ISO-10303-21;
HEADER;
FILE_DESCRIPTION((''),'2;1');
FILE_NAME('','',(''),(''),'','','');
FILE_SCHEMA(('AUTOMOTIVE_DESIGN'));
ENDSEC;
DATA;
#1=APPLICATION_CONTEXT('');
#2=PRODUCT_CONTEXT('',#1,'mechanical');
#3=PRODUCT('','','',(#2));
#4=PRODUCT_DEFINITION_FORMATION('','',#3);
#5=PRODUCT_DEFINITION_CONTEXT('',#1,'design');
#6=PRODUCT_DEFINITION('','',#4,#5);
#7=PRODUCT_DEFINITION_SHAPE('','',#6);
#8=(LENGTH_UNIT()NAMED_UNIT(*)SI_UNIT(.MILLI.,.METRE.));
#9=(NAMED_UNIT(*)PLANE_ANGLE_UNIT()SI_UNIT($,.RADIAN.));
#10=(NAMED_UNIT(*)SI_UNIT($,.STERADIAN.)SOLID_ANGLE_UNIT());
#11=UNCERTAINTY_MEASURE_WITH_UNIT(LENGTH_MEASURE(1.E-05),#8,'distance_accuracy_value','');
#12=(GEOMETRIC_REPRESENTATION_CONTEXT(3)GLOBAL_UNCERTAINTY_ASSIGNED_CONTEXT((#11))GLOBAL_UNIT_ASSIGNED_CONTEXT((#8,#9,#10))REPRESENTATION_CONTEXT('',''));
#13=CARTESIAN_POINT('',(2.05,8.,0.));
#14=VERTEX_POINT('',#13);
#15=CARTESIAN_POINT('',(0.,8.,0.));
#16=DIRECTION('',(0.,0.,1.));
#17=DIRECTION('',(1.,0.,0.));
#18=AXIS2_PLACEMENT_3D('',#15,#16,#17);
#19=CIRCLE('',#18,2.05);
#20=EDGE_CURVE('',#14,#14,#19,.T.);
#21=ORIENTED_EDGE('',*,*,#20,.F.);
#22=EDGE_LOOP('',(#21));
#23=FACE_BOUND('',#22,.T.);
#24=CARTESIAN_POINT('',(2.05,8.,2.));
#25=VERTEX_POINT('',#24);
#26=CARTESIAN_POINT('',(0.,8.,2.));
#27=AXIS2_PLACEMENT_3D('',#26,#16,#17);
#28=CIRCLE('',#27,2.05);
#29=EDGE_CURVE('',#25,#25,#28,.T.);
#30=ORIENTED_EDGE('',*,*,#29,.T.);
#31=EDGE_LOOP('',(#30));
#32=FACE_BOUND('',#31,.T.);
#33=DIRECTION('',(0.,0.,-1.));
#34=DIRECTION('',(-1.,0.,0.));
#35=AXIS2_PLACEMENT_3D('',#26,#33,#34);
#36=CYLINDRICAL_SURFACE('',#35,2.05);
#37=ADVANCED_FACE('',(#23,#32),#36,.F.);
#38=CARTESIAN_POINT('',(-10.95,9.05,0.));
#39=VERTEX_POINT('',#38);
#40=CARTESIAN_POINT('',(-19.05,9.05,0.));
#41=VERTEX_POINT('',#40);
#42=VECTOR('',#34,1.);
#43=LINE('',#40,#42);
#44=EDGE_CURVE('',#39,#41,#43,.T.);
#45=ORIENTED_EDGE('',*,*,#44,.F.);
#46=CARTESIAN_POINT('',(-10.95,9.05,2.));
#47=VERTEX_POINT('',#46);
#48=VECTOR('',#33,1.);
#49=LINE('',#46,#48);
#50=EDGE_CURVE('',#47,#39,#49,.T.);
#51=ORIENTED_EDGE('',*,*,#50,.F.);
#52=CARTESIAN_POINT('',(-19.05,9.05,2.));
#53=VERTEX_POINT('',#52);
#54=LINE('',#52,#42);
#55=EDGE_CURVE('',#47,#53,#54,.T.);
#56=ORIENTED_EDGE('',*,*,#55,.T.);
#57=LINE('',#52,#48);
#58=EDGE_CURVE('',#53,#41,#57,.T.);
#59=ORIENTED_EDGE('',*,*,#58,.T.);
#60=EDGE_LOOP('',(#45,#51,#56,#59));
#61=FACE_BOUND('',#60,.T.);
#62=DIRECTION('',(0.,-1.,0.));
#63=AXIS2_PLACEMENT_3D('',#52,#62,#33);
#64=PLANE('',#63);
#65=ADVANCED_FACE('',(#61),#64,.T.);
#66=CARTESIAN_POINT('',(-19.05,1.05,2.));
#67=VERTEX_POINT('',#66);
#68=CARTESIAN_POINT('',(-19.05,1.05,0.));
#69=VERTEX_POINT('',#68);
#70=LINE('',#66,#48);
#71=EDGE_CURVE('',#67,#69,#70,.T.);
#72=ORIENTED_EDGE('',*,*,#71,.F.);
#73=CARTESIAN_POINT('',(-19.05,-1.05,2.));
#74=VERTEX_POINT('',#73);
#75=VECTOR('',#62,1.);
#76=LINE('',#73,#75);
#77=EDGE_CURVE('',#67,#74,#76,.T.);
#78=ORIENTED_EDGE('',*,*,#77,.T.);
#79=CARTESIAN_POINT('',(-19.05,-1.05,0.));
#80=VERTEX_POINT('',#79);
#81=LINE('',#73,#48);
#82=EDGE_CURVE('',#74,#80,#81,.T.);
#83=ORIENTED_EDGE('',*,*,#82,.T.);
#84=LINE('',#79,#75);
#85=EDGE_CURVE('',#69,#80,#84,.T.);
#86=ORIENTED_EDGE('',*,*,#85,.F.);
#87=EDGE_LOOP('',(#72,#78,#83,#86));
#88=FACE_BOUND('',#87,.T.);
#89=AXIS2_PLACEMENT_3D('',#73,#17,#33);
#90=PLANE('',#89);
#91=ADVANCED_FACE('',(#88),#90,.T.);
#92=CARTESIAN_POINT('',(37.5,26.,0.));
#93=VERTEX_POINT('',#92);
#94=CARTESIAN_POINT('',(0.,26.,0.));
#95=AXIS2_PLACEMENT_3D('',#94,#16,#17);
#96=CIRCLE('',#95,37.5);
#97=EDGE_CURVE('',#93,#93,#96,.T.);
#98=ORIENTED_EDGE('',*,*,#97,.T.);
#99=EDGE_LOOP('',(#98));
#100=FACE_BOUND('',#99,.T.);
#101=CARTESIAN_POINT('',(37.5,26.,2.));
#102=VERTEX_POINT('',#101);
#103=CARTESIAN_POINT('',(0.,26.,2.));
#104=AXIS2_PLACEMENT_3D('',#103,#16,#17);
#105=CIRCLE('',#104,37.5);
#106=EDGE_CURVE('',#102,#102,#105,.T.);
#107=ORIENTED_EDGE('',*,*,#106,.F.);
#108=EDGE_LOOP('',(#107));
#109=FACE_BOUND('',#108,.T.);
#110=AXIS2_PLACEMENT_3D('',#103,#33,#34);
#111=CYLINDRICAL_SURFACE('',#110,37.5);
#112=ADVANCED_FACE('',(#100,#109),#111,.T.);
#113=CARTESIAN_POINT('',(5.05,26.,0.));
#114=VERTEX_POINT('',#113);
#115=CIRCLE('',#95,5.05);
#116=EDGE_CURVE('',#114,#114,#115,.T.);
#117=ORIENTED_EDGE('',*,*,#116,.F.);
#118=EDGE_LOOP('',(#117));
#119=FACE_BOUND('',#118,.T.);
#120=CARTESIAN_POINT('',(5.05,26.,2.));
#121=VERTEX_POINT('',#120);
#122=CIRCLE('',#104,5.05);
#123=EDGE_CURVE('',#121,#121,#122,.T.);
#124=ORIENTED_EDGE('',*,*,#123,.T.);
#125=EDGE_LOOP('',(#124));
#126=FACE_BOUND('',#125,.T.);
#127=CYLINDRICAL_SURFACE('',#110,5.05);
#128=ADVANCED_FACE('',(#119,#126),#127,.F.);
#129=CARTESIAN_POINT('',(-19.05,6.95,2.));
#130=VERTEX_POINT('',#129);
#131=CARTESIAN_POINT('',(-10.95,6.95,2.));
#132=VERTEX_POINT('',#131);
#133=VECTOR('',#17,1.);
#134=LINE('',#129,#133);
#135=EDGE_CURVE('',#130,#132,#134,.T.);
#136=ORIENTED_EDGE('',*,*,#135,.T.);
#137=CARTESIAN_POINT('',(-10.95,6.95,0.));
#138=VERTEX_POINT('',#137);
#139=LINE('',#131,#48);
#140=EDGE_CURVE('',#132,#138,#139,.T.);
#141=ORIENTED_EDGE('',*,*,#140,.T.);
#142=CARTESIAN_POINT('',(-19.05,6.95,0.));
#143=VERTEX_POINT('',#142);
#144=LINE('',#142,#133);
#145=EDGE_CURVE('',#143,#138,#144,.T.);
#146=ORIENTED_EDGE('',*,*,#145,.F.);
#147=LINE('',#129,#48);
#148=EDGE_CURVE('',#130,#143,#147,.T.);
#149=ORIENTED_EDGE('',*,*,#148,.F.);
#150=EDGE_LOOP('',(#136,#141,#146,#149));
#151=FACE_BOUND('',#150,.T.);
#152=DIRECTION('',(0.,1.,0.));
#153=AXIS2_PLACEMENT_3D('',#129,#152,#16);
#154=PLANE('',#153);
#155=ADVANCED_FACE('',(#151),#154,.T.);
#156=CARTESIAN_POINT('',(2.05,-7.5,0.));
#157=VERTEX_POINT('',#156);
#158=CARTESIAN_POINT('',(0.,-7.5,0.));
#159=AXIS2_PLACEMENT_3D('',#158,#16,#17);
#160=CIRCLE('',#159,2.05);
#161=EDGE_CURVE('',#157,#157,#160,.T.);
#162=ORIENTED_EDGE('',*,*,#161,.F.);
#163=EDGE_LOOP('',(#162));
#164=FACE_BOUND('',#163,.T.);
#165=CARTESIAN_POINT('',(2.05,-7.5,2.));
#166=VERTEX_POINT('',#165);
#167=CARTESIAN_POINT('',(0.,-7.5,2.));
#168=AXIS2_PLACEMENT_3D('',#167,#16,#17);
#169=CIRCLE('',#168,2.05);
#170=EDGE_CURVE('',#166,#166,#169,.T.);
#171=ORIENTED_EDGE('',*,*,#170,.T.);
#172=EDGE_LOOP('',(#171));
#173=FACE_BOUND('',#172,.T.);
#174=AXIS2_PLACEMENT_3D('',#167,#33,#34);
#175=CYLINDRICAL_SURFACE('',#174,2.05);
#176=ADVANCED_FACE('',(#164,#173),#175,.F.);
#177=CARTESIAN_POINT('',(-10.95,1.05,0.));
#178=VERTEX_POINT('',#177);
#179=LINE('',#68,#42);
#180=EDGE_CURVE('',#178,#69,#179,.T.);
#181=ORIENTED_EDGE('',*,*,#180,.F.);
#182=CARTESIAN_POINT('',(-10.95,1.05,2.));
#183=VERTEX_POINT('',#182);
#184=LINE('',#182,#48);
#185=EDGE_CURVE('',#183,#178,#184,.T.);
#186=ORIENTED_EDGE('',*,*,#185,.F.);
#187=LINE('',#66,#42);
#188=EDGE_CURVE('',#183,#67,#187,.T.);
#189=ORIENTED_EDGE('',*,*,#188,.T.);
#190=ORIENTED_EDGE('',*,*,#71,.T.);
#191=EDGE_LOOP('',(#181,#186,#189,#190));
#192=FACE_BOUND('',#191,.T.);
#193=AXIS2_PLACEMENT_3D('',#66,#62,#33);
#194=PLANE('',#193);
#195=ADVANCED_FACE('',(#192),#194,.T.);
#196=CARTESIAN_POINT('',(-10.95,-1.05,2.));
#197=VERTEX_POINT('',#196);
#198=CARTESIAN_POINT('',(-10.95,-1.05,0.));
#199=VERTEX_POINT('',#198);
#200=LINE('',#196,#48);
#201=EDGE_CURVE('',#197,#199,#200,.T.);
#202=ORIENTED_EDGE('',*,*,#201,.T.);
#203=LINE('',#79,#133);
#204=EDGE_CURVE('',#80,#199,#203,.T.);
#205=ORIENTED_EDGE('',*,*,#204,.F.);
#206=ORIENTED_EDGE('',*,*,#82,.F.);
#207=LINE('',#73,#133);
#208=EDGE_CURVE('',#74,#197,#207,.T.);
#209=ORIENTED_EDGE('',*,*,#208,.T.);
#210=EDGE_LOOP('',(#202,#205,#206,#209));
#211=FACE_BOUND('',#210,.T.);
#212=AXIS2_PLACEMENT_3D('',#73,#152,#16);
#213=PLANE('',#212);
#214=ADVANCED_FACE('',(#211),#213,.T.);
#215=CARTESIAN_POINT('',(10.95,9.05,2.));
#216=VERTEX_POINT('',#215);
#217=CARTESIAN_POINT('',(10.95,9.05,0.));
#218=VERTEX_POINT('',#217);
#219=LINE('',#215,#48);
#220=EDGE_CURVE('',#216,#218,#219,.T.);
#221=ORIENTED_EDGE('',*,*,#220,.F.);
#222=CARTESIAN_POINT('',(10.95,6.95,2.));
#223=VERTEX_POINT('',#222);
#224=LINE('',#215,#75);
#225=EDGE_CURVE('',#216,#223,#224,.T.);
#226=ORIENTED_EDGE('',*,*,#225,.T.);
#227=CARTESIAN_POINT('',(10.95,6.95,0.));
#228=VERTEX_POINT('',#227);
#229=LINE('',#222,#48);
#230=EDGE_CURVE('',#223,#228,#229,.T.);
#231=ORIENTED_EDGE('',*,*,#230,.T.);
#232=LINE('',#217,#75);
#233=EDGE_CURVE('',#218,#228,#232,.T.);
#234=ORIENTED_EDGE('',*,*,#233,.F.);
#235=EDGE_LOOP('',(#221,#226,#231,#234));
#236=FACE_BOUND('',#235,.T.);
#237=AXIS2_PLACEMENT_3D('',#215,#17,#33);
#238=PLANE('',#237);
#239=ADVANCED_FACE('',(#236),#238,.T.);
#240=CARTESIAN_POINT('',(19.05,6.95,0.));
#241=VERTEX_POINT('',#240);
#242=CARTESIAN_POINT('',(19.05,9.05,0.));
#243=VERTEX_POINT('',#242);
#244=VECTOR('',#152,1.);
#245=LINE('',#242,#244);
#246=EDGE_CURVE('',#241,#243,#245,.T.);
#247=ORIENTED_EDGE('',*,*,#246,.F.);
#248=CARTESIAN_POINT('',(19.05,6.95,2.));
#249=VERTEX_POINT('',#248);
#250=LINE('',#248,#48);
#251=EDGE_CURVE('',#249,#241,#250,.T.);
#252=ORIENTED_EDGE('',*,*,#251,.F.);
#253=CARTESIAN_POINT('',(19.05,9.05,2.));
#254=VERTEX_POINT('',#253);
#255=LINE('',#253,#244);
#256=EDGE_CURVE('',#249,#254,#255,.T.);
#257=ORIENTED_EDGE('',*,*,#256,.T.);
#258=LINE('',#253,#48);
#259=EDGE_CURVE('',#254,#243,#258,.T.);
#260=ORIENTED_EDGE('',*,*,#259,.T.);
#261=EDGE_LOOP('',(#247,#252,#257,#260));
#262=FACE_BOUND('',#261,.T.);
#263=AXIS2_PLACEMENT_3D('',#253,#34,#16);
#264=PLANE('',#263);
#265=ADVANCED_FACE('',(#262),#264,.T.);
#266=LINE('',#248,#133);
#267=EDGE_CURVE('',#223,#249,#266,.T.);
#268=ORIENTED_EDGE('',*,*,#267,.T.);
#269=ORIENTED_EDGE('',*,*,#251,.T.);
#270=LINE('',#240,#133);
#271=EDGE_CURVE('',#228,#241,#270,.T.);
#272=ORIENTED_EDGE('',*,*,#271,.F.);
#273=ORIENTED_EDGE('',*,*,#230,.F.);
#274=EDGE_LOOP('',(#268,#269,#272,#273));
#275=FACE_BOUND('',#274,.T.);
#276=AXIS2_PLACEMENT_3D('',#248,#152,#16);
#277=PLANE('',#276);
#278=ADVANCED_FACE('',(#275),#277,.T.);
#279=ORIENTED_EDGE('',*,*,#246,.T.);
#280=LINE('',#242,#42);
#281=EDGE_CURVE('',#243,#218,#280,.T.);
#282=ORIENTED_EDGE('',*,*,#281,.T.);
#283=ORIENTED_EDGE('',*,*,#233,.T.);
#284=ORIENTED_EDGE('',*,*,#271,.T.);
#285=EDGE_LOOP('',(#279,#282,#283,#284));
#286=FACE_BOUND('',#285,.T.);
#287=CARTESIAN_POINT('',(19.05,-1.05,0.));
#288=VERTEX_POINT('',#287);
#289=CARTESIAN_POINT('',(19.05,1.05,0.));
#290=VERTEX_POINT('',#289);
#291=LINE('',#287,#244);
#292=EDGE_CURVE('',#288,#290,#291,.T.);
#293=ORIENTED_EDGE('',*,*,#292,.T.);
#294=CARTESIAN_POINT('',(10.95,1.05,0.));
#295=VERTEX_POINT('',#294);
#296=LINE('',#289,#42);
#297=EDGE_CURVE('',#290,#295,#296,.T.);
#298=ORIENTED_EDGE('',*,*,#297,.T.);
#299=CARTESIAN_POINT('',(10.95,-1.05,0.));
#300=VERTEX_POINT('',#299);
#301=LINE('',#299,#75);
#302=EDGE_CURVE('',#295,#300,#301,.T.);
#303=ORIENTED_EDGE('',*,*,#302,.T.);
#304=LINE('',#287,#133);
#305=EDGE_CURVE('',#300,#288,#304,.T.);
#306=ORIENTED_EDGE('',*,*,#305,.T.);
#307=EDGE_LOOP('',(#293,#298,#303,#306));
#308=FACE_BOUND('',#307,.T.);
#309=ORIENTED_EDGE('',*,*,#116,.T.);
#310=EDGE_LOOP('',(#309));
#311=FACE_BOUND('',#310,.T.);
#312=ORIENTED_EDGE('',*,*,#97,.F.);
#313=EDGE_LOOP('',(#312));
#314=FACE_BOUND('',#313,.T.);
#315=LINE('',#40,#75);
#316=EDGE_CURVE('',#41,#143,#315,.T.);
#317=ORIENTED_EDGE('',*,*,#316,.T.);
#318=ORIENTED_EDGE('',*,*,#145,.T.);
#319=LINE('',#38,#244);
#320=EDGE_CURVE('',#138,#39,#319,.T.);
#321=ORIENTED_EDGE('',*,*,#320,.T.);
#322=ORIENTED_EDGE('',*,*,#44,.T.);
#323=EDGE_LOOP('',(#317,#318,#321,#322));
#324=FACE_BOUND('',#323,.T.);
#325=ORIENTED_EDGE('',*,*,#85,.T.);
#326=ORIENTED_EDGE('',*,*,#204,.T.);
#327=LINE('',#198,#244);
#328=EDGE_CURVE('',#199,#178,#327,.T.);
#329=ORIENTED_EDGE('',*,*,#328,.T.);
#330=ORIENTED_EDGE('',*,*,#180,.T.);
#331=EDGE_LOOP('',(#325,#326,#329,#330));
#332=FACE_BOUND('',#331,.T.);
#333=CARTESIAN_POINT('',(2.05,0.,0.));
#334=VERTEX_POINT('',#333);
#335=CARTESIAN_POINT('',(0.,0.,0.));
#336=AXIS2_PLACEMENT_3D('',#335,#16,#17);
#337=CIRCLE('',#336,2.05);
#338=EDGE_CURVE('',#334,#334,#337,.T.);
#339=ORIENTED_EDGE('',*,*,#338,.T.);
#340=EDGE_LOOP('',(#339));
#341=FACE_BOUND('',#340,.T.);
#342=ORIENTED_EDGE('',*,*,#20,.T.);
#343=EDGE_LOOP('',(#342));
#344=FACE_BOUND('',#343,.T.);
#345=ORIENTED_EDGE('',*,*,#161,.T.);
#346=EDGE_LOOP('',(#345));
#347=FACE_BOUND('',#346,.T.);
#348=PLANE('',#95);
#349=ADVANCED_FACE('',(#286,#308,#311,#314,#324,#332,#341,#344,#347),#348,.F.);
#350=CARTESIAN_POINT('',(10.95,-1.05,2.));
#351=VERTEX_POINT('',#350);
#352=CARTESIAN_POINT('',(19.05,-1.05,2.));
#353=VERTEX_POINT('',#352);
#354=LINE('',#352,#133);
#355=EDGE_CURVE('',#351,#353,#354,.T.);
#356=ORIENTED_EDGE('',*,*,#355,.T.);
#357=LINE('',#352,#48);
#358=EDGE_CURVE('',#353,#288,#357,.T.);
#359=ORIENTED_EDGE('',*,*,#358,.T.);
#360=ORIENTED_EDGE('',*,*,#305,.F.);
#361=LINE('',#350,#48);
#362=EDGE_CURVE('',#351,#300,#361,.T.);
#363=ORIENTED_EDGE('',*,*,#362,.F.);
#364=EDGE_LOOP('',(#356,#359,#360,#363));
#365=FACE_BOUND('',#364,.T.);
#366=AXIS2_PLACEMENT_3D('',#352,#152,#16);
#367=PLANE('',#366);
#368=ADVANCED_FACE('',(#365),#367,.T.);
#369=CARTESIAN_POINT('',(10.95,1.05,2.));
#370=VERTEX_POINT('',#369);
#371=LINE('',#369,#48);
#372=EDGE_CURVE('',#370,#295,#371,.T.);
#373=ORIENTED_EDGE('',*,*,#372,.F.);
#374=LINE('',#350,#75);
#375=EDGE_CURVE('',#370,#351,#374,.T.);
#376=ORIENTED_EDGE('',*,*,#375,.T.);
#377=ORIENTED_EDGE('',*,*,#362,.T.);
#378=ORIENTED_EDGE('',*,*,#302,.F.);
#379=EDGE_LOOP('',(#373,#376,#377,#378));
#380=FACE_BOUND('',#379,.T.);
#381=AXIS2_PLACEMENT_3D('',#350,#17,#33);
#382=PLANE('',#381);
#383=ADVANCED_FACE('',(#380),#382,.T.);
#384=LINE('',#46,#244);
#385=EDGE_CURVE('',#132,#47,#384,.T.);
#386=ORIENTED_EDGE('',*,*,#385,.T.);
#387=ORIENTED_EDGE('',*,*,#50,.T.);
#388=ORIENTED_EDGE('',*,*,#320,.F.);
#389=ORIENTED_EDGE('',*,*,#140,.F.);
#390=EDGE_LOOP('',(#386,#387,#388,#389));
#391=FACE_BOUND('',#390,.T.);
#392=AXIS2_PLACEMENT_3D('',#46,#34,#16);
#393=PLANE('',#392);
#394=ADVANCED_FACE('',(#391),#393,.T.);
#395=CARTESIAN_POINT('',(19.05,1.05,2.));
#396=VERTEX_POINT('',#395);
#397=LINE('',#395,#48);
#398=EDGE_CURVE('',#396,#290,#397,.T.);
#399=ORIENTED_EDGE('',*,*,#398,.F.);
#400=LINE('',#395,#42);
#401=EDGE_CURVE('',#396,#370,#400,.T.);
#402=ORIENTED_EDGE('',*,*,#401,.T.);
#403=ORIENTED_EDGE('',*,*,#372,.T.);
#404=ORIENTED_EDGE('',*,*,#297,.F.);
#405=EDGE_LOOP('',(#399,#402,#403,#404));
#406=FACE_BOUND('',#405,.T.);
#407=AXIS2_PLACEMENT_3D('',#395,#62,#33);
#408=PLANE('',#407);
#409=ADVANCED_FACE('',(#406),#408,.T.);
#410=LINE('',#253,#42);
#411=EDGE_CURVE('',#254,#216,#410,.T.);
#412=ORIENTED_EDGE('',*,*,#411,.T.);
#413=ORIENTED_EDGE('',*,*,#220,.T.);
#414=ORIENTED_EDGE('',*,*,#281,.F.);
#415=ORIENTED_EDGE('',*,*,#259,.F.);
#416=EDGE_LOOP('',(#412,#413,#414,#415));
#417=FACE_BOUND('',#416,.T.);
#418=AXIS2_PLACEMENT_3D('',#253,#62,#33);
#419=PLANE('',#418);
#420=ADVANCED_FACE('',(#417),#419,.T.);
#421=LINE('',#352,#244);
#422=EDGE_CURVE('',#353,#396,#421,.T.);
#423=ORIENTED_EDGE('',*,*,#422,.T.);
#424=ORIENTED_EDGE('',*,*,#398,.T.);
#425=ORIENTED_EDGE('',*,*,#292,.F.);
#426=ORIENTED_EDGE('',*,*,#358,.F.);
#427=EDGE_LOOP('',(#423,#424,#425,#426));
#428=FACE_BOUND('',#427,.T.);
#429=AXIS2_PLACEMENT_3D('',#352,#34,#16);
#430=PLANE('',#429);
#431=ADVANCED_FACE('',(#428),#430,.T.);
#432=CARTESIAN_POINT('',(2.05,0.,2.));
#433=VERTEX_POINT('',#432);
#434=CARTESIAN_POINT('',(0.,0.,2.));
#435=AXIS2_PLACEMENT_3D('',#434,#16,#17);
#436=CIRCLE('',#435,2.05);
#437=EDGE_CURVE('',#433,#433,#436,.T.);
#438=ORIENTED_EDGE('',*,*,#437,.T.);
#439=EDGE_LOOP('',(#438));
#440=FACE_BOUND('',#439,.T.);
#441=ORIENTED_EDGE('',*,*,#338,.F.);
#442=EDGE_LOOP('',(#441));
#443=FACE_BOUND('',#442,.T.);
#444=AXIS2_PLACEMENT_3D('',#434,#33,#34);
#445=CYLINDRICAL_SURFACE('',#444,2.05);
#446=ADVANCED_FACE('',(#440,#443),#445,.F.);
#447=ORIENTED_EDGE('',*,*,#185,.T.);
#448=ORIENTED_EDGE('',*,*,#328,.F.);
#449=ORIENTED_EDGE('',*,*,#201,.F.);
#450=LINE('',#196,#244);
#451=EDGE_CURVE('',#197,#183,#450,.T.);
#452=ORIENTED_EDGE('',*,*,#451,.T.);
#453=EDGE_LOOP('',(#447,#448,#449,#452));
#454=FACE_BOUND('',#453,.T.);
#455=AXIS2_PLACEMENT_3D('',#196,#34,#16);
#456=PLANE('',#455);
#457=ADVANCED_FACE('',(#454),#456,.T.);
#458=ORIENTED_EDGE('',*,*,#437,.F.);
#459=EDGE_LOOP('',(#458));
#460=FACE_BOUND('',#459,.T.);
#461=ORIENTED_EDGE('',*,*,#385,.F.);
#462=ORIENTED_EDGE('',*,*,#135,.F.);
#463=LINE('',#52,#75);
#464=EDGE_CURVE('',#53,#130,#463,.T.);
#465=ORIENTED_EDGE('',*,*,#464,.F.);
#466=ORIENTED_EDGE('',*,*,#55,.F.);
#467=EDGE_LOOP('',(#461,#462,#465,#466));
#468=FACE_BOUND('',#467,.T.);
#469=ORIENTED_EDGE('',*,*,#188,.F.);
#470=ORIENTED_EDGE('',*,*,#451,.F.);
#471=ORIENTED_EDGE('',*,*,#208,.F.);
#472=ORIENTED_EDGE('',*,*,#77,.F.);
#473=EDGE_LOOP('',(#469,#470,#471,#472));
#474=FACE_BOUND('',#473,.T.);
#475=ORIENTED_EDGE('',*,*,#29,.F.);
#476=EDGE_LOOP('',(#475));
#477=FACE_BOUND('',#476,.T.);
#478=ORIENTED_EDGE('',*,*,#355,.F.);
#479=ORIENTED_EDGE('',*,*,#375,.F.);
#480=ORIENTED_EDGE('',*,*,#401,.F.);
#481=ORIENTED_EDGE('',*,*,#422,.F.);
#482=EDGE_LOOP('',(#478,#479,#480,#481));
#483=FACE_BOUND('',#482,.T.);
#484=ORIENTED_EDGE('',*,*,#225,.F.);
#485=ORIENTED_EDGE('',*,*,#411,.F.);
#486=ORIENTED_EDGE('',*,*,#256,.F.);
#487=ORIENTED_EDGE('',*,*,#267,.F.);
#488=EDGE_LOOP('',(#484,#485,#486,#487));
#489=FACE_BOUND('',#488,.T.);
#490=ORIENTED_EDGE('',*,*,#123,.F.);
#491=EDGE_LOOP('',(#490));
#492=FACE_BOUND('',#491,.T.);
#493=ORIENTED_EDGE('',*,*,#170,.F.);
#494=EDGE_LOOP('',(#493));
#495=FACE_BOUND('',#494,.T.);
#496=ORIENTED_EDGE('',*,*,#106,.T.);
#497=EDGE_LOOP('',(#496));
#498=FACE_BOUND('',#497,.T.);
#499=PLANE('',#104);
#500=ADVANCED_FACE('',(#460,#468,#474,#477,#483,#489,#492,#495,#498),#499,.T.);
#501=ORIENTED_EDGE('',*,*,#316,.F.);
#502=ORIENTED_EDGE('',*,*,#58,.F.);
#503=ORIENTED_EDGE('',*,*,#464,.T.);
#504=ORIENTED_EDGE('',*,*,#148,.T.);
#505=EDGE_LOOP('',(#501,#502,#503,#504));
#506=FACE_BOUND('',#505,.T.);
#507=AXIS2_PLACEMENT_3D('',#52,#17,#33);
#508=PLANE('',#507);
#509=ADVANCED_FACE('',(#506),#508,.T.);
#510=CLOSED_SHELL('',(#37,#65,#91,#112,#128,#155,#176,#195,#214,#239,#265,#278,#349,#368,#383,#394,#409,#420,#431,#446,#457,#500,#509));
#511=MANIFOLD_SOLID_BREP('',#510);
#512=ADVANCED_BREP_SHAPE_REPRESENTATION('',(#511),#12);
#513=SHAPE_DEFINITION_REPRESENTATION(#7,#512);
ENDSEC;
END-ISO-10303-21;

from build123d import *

# Parameters (mm, degrees)
SKETCH_1_R      = 37.5
SKETCH_1_R_2    = 2.05
SKETCH_1_R_3    = 5.05
SKETCH_1_W      = 8.1
SKETCH_1_H      = 2.1
EXTRUDE_1_DEPTH = 2


with BuildPart() as part:
    # 草图1 → 凸台-拉伸1 (new body)
    with BuildSketch(Plane.XY):
        with Locations((0, 26)):
            Circle(SKETCH_1_R)
        Circle(SKETCH_1_R_2, mode=Mode.SUBTRACT)
        with Locations((0, 8)):
            Circle(SKETCH_1_R_2, mode=Mode.SUBTRACT)
        with Locations((0, 26)):
            Circle(SKETCH_1_R_3, mode=Mode.SUBTRACT)
        with Locations((0, -7.5)):
            Circle(SKETCH_1_R_2, mode=Mode.SUBTRACT)
        with Locations((-15, 8)):
            Rectangle(SKETCH_1_W, SKETCH_1_H, mode=Mode.SUBTRACT)
        with Locations((-15, 0)):
            Rectangle(SKETCH_1_W, SKETCH_1_H, mode=Mode.SUBTRACT)
        with Locations((15, 8)):
            Rectangle(SKETCH_1_W, SKETCH_1_H, mode=Mode.SUBTRACT)
        with Locations((15, 0)):
            Rectangle(SKETCH_1_W, SKETCH_1_H, mode=Mode.SUBTRACT)
    extrude(amount=EXTRUDE_1_DEPTH)


solid = part.part
